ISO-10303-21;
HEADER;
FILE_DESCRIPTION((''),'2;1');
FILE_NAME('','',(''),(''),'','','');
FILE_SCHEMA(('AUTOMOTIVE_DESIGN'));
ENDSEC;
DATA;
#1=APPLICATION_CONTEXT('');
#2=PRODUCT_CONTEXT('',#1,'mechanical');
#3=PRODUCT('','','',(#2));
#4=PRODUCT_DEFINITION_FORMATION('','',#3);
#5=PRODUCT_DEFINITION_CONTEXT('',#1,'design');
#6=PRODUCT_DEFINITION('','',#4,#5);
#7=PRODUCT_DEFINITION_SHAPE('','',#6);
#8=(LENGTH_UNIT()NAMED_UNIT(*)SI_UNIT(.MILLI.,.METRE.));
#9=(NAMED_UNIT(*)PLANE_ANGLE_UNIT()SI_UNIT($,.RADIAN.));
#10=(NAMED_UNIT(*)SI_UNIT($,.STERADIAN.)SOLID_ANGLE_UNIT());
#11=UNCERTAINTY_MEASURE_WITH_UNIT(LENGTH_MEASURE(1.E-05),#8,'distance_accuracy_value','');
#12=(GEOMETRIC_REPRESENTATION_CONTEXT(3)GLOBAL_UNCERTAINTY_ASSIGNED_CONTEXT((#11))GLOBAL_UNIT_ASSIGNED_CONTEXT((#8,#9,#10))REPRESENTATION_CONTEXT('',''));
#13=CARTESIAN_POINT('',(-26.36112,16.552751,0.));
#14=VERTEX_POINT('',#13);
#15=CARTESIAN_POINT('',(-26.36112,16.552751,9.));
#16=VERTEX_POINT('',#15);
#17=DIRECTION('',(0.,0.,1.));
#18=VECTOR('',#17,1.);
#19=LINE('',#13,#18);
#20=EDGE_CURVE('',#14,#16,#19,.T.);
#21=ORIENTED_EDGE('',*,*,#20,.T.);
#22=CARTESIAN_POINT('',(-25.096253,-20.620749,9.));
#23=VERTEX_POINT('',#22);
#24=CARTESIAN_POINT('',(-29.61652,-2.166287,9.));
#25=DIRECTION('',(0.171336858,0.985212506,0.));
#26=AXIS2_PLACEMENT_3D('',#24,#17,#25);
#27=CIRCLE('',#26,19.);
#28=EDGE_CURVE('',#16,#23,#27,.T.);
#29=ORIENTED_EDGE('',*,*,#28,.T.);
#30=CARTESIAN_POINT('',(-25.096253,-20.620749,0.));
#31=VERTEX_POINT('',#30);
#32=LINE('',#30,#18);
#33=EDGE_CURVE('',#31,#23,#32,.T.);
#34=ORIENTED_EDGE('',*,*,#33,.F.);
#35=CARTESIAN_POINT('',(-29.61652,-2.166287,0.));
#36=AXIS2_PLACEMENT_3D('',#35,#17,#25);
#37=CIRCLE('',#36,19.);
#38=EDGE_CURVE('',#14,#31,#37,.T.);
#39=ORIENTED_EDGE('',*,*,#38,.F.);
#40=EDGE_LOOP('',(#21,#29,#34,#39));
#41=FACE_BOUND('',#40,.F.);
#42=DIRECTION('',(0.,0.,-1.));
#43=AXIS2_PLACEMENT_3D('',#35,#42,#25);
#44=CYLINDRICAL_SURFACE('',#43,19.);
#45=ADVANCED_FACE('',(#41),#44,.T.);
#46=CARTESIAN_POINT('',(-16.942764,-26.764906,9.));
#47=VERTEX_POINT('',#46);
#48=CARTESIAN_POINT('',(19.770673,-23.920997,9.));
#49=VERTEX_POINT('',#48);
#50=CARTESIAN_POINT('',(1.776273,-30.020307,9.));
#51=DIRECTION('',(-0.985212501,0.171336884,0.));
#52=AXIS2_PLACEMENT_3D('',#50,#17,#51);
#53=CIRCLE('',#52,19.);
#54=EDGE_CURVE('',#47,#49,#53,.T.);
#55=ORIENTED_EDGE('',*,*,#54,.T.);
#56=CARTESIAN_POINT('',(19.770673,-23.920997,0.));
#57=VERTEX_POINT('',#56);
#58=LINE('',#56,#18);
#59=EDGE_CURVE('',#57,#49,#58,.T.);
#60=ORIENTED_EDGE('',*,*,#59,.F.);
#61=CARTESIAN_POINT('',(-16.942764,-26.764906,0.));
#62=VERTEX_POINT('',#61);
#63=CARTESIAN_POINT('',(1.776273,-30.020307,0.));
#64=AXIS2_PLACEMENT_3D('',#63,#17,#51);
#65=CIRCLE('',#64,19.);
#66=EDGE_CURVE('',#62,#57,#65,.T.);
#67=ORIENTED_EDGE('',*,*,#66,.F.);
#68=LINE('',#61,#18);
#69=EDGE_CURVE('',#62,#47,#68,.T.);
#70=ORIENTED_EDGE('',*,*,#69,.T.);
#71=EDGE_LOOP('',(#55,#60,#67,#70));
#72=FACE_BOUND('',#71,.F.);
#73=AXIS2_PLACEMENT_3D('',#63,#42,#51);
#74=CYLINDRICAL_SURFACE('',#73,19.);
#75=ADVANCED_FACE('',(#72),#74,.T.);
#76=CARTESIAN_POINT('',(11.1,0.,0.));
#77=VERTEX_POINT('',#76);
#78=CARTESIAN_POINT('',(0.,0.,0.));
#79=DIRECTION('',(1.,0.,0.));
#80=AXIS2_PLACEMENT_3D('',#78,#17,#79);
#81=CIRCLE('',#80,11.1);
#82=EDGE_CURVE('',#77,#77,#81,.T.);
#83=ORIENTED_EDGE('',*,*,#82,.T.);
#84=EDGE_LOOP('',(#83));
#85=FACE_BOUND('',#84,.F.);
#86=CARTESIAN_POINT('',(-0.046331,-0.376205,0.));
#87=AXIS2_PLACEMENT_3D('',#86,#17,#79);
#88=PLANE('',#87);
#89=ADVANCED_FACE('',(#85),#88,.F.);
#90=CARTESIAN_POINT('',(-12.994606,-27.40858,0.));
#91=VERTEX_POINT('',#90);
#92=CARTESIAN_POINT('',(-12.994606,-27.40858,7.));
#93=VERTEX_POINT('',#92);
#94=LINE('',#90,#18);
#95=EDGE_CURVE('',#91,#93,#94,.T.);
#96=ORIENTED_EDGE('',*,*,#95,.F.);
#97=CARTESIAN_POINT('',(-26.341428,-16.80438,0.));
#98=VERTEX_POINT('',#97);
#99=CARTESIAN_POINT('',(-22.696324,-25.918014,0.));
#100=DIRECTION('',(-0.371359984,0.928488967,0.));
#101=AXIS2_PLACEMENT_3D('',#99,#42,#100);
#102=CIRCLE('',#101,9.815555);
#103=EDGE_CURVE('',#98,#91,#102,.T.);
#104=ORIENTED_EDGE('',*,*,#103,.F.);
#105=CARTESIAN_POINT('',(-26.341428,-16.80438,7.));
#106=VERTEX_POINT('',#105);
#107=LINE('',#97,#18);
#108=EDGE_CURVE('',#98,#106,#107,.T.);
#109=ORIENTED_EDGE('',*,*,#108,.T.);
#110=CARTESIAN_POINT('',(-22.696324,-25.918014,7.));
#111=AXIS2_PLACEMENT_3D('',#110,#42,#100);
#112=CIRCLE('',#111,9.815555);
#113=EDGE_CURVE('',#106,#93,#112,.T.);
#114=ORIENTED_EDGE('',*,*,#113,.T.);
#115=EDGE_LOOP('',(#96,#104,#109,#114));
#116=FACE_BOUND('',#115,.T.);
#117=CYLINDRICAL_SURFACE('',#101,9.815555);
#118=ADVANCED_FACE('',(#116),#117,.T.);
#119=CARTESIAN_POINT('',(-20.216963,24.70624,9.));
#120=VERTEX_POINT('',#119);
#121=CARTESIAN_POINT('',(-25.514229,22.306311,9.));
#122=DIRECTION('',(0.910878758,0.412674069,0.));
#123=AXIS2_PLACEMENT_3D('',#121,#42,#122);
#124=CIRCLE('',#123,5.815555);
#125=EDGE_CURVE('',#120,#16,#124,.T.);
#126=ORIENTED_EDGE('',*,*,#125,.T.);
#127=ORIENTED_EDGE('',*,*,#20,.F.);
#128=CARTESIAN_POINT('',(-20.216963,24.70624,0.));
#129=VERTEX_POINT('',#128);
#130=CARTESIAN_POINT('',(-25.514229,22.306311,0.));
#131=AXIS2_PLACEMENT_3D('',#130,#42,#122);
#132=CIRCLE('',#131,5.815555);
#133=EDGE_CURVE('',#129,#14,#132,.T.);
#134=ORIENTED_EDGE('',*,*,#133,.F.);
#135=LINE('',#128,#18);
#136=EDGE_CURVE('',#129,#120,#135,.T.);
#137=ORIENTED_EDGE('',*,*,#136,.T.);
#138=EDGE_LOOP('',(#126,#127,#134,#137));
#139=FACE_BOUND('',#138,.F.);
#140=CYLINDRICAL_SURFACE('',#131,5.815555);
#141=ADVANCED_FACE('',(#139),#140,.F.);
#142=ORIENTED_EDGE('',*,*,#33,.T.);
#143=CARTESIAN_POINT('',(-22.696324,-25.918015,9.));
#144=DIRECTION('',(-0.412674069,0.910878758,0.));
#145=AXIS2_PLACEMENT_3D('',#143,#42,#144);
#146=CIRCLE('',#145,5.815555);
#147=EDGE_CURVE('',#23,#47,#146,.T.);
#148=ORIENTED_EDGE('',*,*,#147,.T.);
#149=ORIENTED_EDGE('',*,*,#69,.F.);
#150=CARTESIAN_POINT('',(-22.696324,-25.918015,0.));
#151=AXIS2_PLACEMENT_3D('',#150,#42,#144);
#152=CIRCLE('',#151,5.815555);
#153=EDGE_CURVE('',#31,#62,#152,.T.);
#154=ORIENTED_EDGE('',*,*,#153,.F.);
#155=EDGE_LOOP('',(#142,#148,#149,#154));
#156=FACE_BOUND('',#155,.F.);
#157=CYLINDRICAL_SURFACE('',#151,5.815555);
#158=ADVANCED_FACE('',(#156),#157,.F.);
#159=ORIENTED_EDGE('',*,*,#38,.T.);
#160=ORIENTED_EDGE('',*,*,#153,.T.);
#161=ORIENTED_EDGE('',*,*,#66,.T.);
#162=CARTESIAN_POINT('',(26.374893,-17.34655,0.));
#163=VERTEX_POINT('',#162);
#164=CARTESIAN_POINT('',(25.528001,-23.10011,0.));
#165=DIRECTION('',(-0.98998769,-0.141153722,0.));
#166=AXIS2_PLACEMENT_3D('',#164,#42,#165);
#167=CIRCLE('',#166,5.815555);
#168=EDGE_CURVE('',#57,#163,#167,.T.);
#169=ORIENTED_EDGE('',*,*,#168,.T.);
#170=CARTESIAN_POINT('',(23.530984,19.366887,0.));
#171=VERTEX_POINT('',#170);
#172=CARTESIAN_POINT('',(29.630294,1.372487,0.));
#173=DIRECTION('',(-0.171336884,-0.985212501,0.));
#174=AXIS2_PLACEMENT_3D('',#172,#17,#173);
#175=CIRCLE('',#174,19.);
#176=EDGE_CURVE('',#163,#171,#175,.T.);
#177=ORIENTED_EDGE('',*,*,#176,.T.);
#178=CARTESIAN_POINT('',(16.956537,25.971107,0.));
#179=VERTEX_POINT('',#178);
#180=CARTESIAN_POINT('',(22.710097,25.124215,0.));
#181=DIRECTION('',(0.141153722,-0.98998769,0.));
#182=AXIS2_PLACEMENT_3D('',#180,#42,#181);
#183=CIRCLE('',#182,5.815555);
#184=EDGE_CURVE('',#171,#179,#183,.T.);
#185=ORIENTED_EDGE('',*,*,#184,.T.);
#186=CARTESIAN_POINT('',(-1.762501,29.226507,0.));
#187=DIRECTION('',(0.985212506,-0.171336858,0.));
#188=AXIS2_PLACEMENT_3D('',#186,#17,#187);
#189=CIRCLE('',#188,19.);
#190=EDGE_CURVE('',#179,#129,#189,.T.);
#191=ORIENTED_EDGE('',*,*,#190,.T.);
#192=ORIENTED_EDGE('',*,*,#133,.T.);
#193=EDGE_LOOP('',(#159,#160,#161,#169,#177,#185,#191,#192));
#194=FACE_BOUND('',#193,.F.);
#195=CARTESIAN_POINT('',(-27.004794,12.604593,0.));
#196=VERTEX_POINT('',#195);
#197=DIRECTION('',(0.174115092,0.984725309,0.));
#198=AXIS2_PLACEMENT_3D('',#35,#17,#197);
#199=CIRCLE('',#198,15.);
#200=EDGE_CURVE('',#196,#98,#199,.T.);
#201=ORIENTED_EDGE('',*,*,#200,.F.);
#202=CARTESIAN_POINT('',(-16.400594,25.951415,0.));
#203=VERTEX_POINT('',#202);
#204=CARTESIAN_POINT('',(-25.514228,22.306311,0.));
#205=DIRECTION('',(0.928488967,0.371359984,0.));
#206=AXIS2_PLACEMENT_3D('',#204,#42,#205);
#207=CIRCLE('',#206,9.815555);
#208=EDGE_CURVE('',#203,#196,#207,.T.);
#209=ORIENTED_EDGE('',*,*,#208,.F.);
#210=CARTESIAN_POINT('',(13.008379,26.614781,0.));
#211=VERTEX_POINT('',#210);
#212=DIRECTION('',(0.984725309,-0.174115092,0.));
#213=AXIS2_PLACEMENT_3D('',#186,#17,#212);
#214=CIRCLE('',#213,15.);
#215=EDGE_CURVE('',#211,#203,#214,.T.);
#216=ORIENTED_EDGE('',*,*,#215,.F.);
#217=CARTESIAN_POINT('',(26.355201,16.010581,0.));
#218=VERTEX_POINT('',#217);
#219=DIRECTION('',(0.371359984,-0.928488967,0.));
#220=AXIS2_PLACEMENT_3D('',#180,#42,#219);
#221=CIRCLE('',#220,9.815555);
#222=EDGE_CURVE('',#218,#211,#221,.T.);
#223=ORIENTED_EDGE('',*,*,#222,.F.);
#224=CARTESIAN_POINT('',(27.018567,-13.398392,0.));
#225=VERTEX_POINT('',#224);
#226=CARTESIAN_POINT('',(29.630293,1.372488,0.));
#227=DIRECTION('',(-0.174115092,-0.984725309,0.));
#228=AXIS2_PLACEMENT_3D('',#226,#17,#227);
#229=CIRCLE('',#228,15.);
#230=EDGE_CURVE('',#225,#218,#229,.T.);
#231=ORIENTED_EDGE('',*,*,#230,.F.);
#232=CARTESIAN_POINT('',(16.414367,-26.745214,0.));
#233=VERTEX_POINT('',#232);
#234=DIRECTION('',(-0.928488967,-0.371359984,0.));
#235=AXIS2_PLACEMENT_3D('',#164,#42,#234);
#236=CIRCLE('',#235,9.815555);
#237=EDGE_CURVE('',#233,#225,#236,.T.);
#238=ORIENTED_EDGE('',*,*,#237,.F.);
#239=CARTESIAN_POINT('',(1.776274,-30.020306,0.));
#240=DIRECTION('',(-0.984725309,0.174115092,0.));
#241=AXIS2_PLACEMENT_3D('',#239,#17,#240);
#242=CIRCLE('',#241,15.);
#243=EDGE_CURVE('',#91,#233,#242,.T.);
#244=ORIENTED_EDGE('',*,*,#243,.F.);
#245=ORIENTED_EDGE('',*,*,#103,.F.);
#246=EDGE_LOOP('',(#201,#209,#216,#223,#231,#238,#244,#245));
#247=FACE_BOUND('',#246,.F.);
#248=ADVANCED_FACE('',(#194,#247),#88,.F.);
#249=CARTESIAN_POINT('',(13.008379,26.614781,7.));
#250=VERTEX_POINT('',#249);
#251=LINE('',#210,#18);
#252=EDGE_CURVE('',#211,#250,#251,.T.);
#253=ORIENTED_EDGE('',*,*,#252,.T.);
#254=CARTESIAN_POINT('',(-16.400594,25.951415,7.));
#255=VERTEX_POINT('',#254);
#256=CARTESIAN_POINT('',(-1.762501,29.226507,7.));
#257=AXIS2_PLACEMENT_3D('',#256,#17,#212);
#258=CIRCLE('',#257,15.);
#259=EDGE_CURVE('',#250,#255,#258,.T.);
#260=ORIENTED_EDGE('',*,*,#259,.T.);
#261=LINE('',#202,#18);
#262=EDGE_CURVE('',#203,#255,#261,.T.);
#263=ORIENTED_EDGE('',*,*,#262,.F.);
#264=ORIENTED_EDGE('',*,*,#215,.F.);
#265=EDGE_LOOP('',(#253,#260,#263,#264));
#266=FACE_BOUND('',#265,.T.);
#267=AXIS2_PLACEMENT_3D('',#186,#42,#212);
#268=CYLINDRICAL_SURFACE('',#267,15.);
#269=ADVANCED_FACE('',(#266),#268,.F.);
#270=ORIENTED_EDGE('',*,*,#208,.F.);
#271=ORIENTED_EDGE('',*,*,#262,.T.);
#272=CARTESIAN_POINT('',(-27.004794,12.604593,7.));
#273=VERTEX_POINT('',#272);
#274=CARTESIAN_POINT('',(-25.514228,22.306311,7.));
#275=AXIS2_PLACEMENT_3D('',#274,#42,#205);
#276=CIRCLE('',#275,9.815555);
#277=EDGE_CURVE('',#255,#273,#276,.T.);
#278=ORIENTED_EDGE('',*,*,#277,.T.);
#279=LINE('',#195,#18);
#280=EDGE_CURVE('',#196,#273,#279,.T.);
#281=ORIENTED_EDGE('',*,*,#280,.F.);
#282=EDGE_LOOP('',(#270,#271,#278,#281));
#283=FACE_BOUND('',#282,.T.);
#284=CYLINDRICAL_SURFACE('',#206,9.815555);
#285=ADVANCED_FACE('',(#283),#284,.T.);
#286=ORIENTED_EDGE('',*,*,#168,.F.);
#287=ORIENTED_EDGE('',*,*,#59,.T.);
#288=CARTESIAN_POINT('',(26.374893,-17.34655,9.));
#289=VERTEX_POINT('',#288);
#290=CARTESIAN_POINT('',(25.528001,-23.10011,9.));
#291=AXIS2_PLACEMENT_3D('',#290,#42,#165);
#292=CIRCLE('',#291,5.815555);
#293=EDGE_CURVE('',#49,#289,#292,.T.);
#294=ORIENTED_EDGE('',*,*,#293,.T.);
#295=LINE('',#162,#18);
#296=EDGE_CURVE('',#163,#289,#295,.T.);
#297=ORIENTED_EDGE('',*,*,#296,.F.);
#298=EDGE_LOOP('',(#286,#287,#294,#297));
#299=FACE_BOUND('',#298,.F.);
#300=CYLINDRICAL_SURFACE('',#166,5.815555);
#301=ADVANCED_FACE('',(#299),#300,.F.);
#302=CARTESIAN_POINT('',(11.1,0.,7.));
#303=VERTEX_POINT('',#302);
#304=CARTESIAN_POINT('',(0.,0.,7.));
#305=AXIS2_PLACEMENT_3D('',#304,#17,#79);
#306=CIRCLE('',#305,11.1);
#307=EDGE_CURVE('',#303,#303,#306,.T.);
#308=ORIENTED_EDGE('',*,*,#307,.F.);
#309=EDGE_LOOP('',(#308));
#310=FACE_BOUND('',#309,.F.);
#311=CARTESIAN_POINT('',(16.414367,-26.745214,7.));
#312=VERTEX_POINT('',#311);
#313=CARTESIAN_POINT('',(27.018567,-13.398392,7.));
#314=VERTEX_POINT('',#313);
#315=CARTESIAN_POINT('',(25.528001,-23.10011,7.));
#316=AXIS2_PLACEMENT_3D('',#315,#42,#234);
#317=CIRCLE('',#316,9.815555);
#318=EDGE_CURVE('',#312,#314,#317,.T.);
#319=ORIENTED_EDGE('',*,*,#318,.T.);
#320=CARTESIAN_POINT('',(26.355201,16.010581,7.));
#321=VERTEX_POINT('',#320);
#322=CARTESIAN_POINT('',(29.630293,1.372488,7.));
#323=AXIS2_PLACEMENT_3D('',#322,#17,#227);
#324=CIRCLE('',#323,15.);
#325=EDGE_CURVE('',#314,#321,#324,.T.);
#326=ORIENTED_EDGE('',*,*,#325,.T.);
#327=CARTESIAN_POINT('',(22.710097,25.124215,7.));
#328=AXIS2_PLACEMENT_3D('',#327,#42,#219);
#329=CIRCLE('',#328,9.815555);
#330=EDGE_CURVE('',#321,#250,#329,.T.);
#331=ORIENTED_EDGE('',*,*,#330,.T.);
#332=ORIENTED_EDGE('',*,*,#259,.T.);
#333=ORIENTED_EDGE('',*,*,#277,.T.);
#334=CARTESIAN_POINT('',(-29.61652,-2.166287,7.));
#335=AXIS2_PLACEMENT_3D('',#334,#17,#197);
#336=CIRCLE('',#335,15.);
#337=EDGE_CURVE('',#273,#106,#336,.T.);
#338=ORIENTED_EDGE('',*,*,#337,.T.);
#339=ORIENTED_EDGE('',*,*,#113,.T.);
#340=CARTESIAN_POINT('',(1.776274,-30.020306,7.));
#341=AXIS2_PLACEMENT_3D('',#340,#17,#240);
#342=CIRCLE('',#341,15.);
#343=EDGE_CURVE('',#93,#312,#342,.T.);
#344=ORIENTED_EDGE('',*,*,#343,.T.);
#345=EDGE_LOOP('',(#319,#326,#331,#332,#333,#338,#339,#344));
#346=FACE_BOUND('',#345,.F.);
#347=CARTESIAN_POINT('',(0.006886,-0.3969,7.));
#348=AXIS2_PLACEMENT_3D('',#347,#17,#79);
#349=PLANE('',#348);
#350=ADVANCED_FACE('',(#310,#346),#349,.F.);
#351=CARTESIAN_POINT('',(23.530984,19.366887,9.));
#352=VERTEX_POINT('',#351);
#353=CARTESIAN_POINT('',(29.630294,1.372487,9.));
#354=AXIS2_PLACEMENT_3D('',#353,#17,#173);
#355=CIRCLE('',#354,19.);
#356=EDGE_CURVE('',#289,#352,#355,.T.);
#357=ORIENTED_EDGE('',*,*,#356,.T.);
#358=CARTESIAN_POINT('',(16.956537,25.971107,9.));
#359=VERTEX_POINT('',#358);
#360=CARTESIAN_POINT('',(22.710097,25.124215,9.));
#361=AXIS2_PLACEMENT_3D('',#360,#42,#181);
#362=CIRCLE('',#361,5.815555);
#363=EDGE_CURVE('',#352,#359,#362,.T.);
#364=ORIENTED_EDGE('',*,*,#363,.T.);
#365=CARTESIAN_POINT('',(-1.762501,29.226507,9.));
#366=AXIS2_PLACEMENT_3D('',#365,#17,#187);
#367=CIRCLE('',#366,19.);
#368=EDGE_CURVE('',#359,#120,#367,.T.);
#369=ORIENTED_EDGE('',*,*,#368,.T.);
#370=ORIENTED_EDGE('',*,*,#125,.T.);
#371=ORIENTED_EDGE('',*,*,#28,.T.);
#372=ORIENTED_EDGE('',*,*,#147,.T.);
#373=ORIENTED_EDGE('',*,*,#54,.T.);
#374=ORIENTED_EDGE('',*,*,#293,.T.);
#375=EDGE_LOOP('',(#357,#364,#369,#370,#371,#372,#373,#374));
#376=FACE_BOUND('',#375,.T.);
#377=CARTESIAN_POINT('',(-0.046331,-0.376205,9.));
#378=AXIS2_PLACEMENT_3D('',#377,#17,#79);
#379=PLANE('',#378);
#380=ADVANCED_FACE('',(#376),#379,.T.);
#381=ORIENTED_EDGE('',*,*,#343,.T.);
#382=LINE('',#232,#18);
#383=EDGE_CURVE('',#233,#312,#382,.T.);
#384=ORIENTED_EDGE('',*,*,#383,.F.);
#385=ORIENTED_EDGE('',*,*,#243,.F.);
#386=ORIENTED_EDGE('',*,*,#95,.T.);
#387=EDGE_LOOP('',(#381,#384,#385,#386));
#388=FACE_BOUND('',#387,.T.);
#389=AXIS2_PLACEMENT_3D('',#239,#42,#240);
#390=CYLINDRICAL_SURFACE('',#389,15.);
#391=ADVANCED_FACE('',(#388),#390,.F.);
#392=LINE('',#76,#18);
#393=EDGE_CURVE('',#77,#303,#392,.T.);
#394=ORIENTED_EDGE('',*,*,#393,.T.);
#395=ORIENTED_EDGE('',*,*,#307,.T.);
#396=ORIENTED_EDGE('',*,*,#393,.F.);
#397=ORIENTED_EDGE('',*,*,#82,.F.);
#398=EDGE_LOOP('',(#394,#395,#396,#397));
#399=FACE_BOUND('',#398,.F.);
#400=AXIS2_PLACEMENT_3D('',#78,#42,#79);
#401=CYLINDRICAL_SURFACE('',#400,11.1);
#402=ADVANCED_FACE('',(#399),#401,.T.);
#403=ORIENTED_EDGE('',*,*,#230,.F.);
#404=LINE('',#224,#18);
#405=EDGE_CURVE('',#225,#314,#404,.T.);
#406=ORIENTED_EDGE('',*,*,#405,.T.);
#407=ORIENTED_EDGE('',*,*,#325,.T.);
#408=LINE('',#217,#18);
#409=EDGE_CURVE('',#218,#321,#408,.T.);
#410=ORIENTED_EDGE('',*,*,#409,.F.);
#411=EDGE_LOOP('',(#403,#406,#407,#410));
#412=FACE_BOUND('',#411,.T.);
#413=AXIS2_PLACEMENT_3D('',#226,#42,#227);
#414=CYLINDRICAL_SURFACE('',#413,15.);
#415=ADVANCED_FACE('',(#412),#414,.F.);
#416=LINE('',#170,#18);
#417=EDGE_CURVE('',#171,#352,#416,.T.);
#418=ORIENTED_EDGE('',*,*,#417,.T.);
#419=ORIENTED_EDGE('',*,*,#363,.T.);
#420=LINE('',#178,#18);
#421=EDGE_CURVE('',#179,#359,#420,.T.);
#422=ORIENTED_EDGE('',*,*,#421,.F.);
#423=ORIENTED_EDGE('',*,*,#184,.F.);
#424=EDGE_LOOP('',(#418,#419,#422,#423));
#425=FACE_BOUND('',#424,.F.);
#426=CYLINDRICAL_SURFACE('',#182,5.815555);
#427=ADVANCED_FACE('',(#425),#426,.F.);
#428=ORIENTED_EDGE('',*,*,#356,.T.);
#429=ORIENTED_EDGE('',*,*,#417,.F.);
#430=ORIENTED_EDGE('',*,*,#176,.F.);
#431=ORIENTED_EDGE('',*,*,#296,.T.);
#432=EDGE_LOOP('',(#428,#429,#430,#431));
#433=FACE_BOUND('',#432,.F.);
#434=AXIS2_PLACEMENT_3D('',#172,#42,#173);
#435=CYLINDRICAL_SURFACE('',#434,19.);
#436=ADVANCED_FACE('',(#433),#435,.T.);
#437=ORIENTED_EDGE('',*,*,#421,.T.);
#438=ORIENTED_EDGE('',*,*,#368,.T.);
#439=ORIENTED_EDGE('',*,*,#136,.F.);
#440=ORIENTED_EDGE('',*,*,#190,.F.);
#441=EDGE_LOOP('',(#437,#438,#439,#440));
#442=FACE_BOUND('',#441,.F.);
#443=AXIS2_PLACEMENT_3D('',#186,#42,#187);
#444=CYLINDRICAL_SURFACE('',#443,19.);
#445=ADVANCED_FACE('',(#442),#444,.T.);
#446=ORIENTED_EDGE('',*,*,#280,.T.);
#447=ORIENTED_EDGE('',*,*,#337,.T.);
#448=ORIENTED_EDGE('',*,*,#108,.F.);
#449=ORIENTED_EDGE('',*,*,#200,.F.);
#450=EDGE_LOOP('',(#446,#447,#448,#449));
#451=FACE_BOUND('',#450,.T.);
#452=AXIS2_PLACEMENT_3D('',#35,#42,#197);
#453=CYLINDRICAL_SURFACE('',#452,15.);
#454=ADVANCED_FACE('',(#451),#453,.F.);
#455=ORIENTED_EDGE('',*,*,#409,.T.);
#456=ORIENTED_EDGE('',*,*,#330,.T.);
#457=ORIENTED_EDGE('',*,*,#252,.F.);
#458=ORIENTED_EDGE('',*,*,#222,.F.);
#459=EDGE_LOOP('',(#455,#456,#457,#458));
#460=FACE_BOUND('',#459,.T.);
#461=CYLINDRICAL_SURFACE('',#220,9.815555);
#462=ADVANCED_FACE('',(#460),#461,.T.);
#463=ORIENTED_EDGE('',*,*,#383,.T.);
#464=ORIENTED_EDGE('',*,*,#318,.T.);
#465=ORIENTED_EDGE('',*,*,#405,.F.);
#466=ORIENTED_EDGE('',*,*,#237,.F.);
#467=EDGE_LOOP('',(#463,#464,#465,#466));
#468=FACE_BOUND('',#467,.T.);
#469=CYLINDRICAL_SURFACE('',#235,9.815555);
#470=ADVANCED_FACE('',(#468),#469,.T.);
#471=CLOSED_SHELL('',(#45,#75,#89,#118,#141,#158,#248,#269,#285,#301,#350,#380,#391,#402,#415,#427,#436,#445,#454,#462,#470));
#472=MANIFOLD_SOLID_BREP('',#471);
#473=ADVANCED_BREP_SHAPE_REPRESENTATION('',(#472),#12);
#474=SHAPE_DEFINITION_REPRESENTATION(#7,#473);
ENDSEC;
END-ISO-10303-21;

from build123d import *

# Parameters (mm, degrees)
F0_R     = 11.1
F1_DEPTH = 7
F2_DEPTH = 9


with BuildPart() as f1:
    # F0 (on Top) → F1 (new body)
    with BuildSketch(Plane.XY):
        with BuildLine():
            ThreePointArc((-26.341428, -16.80438), (-16.590351, -18.23282), (-12.994606, -27.40858))
            ThreePointArc((-12.994606, -27.40858), (2.114536, -45.016492), (16.414367, -26.745214))
            ThreePointArc((16.414367, -26.745214), (17.842807, -16.994137), (27.018567, -13.398392))
            ThreePointArc((27.018567, -13.398392), (44.626479, 1.71075), (26.355201, 16.010581))
            ThreePointArc((26.355201, 16.010581), (16.604124, 17.439021), (13.008379, 26.614781))
            ThreePointArc((13.008379, 26.614781), (-2.100763, 44.222693), (-16.400594, 25.951415))
            ThreePointArc((-16.400594, 25.951415), (-17.829034, 16.200338), (-27.004794, 12.604593))
            ThreePointArc((-27.004794, 12.604593), (-44.612706, -2.504549), (-26.341428, -16.80438))
        make_face()
        Circle(F0_R, mode=Mode.SUBTRACT)
    extrude(amount=F1_DEPTH)


with BuildPart() as f2:
    # F0 (on Top) → F2 (new body)
    with BuildSketch(Plane.XY):
        with BuildLine():
            ThreePointArc((-20.216963, 24.70624), (-20.869737, 18.8064), (-26.36112, 16.552751))
            ThreePointArc((-26.36112, 16.552751), (-48.605531, -2.812407), (-25.096253, -20.620749))
            ThreePointArc((-25.096253, -20.620749), (-19.196413, -21.273523), (-16.942764, -26.764906))
            ThreePointArc((-16.942764, -26.764906), (3.243662, -48.963558), (19.770673, -23.920997))
            ThreePointArc((19.770673, -23.920997), (21.425083, -18.978612), (26.374893, -17.34655))
            ThreePointArc((26.374893, -17.34655), (48.573545, 2.839876), (23.530984, 19.366887))
            ThreePointArc((23.530984, 19.366887), (18.588599, 21.021297), (16.956537, 25.971107))
            ThreePointArc((16.956537, 25.971107), (-2.408621, 48.215518), (-20.216963, 24.70624))
        make_face()
        with BuildLine():
            ThreePointArc((16.414367, -26.745214), (2.114536, -45.016492), (-12.994606, -27.40858))
            ThreePointArc((-12.994606, -27.40858), (-16.590351, -18.23282), (-26.341428, -16.80438))
            ThreePointArc((-26.341428, -16.80438), (-44.612706, -2.504549), (-27.004794, 12.604593))
            ThreePointArc((-27.004794, 12.604593), (-17.829034, 16.200338), (-16.400594, 25.951415))
            ThreePointArc((-16.400594, 25.951415), (-2.100763, 44.222693), (13.008379, 26.614781))
            ThreePointArc((13.008379, 26.614781), (16.604124, 17.439021), (26.355201, 16.010581))
            ThreePointArc((26.355201, 16.010581), (44.626479, 1.71075), (27.018567, -13.398392))
            ThreePointArc((27.018567, -13.398392), (17.842807, -16.994137), (16.414367, -26.745214))
        make_face(mode=Mode.SUBTRACT)
        with BuildLine():
            ThreePointArc((-26.341428, -16.80438), (-16.590351, -18.23282), (-12.994606, -27.40858))
            ThreePointArc((-12.994606, -27.40858), (2.114536, -45.016492), (16.414367, -26.745214))
            ThreePointArc((16.414367, -26.745214), (17.842807, -16.994137), (27.018567, -13.398392))
            ThreePointArc((27.018567, -13.398392), (44.626479, 1.71075), (26.355201, 16.010581))
            ThreePointArc((26.355201, 16.010581), (16.604124, 17.439021), (13.008379, 26.614781))
            ThreePointArc((13.008379, 26.614781), (-2.100763, 44.222693), (-16.400594, 25.951415))
            ThreePointArc((-16.400594, 25.951415), (-17.829034, 16.200338), (-27.004794, 12.604593))
            ThreePointArc((-27.004794, 12.604593), (-44.612706, -2.504549), (-26.341428, -16.80438))
        make_face()
        Circle(F0_R, mode=Mode.SUBTRACT)
        Circle(F0_R)
    extrude(amount=F2_DEPTH)

    # F3: cut F1
    add(f1.part, mode=Mode.SUBTRACT)


solid = f2.part
